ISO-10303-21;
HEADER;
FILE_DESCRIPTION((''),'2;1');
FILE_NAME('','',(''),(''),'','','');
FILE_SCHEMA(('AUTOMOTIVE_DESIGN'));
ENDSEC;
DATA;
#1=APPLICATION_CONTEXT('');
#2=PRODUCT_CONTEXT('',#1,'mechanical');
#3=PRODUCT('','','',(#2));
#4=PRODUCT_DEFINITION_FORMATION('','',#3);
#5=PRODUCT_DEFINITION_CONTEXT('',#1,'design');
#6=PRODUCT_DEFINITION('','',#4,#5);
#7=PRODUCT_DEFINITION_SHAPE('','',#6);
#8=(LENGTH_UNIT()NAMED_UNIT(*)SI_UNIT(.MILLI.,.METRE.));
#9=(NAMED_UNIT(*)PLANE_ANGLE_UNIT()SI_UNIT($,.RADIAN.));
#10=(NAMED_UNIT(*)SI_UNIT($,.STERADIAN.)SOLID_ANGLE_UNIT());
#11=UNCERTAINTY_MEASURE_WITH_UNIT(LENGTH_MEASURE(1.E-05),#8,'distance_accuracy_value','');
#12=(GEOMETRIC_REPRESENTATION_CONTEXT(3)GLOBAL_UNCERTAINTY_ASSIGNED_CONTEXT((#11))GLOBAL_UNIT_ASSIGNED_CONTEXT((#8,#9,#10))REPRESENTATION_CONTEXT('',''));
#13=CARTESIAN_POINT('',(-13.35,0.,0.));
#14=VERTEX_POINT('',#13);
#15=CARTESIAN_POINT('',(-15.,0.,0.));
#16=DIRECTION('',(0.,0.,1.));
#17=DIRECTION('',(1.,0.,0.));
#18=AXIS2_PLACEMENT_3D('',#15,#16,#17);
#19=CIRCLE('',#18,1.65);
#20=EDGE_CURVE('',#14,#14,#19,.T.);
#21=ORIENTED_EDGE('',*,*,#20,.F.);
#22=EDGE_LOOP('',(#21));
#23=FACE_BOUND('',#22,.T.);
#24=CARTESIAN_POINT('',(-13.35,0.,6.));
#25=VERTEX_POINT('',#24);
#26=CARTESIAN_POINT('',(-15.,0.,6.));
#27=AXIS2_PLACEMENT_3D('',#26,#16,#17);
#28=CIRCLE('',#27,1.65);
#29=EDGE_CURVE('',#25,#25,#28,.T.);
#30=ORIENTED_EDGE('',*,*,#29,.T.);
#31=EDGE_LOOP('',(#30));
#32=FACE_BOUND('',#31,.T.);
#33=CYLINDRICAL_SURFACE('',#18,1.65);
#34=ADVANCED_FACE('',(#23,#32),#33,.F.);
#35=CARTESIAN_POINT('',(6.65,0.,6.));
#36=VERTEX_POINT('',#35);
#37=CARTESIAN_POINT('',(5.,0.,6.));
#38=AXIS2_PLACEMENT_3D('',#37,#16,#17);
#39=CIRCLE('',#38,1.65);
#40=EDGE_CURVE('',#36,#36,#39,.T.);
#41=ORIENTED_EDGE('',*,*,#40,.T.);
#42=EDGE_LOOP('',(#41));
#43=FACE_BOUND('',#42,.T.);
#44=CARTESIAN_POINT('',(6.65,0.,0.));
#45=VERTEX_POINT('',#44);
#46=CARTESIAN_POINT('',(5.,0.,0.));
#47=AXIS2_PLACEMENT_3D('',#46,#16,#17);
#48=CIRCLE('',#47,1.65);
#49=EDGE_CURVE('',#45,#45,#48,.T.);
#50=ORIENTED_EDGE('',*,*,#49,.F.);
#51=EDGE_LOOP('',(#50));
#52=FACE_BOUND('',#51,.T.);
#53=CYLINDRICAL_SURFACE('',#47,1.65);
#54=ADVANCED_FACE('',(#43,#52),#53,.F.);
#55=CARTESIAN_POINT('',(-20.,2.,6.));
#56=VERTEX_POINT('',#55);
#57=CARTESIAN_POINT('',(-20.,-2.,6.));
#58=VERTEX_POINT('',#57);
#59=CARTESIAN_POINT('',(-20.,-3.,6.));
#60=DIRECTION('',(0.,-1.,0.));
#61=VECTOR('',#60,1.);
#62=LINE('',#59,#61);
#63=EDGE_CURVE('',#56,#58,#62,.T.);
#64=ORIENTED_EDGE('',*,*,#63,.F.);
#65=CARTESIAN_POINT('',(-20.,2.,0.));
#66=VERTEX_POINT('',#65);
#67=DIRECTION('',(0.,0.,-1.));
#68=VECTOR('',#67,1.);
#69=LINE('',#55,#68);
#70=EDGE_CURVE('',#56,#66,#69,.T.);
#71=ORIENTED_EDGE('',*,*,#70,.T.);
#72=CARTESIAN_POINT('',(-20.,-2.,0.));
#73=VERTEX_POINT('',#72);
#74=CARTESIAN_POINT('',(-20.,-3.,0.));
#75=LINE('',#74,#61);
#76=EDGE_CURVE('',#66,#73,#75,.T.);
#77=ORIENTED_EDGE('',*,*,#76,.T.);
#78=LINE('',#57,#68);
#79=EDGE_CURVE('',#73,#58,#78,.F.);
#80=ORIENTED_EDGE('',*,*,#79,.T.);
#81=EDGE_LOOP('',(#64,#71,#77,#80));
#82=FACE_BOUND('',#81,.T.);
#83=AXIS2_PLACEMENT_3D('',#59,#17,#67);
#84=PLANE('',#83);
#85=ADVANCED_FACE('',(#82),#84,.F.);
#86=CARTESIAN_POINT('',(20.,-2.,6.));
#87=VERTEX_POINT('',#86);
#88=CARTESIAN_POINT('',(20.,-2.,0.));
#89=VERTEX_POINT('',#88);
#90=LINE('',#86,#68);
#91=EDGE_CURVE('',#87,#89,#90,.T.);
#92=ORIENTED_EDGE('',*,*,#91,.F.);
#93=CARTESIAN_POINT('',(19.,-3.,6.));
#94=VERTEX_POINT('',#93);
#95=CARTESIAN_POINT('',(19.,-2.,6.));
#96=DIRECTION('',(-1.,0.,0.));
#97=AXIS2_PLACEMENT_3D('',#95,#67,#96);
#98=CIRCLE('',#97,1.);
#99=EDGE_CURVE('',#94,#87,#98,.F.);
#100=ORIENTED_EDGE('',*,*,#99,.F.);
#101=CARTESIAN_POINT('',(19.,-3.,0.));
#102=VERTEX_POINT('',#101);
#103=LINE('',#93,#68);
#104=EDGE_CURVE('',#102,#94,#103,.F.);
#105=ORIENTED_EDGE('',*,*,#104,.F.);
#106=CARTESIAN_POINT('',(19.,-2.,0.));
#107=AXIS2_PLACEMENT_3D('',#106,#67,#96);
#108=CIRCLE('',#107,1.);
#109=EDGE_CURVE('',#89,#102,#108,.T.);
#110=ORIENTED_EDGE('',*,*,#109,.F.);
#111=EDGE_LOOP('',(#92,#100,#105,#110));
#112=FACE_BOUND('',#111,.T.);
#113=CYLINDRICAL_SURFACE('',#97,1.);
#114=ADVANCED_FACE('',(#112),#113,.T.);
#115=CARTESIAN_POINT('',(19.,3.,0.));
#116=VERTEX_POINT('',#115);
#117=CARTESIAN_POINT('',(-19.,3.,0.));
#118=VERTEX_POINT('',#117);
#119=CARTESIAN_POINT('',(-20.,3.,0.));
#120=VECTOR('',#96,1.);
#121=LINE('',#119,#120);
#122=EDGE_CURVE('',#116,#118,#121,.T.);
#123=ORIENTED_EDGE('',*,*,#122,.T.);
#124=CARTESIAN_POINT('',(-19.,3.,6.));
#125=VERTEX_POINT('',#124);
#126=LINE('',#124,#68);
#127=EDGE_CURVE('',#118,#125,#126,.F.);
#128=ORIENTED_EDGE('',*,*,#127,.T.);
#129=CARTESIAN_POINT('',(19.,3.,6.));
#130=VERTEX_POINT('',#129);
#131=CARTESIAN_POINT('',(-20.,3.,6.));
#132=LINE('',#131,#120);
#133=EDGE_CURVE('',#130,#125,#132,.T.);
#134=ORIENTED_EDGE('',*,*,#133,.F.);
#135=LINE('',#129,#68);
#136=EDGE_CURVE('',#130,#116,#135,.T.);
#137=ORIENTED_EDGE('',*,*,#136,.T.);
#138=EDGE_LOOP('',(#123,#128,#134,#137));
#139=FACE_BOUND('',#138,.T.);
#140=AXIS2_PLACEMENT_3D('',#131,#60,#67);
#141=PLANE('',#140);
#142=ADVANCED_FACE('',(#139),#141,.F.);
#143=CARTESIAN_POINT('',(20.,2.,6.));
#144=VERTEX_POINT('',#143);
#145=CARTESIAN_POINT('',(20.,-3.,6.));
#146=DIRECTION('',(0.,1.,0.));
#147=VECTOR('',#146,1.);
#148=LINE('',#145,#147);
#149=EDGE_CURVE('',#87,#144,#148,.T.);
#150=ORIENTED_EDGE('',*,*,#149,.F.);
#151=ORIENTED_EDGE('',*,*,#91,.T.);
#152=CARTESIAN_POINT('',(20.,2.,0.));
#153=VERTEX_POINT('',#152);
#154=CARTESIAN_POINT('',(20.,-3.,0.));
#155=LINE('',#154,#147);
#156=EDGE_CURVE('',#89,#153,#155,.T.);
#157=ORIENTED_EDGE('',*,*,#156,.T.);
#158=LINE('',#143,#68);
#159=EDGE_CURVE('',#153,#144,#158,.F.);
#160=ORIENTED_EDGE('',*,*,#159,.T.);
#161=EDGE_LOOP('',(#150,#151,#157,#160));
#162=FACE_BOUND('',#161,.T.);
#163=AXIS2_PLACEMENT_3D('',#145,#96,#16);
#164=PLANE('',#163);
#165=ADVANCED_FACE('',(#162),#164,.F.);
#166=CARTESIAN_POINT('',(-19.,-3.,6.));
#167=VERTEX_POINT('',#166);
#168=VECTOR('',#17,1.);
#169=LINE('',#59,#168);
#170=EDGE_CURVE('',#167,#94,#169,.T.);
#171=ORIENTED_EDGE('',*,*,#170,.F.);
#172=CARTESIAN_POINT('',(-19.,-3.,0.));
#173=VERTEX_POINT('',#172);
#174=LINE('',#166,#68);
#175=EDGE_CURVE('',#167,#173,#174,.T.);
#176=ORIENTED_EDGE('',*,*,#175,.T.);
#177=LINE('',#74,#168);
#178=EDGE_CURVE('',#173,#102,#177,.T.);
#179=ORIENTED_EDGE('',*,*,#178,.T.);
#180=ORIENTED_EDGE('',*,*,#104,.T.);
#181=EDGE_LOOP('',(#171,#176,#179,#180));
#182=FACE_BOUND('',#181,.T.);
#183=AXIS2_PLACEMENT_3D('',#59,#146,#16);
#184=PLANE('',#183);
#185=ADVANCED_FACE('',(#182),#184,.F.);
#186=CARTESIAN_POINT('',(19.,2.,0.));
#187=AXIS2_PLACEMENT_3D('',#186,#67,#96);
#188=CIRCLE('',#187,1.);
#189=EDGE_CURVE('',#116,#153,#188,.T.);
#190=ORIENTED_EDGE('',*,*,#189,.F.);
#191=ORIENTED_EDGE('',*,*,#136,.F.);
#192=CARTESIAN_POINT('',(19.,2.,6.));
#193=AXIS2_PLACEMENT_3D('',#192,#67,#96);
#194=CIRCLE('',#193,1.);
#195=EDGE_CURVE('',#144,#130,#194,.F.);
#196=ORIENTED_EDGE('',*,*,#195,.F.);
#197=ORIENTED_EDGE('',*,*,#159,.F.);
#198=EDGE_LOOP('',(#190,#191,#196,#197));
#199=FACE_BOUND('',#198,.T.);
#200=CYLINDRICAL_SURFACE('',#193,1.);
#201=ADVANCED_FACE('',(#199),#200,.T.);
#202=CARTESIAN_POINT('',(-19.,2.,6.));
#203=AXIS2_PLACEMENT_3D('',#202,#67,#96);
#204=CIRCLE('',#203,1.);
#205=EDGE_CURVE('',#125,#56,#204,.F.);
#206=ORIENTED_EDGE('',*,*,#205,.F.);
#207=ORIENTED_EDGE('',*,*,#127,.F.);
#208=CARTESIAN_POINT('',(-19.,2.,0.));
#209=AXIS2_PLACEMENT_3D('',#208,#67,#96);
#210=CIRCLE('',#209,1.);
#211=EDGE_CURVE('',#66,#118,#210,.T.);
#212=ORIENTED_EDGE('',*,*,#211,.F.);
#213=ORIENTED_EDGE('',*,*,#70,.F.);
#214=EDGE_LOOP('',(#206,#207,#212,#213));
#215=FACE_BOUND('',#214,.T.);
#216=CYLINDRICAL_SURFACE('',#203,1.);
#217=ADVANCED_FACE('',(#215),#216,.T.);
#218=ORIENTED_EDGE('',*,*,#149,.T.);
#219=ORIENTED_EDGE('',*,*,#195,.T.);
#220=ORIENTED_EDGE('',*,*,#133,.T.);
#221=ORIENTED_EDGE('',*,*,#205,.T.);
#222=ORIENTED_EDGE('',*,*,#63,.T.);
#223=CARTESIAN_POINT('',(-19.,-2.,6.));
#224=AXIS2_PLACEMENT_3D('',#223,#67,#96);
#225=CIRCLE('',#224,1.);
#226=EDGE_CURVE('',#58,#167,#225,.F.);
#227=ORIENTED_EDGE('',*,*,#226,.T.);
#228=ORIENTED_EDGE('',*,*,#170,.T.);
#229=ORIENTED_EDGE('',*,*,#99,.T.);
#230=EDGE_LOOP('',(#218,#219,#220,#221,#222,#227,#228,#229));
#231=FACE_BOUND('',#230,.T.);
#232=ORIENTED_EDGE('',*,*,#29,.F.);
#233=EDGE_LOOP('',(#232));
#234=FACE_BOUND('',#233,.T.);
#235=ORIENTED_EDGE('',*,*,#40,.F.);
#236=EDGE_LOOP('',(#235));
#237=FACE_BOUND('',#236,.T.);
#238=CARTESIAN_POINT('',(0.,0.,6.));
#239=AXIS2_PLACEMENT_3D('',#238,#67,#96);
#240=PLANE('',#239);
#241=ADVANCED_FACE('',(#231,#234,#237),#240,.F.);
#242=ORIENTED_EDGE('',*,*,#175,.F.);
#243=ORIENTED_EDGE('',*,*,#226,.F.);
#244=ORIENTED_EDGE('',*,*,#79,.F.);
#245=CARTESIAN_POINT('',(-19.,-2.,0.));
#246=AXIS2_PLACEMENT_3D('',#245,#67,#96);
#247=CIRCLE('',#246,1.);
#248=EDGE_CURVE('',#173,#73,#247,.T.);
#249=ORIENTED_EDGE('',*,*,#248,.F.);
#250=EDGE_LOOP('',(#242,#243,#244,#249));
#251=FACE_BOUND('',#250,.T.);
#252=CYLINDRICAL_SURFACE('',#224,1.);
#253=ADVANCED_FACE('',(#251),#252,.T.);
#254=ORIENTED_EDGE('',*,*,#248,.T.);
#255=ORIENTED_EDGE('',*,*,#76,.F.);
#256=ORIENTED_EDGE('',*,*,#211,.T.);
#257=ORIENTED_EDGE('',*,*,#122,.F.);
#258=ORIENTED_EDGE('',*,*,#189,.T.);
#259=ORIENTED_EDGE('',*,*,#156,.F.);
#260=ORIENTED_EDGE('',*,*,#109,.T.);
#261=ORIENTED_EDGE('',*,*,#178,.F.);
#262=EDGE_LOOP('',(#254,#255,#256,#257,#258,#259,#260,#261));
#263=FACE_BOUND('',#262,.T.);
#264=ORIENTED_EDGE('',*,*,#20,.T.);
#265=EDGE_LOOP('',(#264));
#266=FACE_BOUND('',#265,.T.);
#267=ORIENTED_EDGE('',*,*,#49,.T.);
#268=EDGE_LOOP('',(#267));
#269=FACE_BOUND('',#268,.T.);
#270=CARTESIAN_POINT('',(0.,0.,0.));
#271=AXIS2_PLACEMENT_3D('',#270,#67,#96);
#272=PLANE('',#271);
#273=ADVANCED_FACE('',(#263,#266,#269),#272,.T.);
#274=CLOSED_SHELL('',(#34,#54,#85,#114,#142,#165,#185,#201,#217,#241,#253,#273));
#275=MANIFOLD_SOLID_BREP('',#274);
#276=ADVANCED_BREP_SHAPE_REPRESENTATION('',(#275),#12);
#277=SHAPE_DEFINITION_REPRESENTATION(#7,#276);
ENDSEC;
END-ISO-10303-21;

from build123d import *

# Parameters (mm, degrees)
SKETCH_1_W          = 40
SKETCH_1_H          = 6
EXTRUDE_1_DEPTH     = 6
SKETCH_2_R          = 1.65
CUT_EXTRUDE_1_DEPTH = 6
FILLET_1_R          = 1


with BuildPart() as part:
    # 草图1 → 凸台-拉伸1 (new body)
    with BuildSketch(Plane.XY):
        Rectangle(SKETCH_1_W, SKETCH_1_H)
    extrude(amount=EXTRUDE_1_DEPTH)

    # 草图2 → 切除-拉伸1 (cut)
    with BuildSketch(Plane.XY.offset(6)):
        with Locations((5, 0)):
            Circle(SKETCH_2_R)
        with Locations((-15, 0)):
            Circle(SKETCH_2_R)
    extrude(amount=-CUT_EXTRUDE_1_DEPTH, mode=Mode.SUBTRACT)

    # 圆角1
    fillet_1_edges = [part.edges().sort_by_distance(p)[0] for p in [
        (20, -3, 3),
        (-20, -3, 3),
        (-20, 3, 3),
        (20, 3, 3),
    ]]
    fillet(fillet_1_edges, radius=FILLET_1_R)


solid = part.part
